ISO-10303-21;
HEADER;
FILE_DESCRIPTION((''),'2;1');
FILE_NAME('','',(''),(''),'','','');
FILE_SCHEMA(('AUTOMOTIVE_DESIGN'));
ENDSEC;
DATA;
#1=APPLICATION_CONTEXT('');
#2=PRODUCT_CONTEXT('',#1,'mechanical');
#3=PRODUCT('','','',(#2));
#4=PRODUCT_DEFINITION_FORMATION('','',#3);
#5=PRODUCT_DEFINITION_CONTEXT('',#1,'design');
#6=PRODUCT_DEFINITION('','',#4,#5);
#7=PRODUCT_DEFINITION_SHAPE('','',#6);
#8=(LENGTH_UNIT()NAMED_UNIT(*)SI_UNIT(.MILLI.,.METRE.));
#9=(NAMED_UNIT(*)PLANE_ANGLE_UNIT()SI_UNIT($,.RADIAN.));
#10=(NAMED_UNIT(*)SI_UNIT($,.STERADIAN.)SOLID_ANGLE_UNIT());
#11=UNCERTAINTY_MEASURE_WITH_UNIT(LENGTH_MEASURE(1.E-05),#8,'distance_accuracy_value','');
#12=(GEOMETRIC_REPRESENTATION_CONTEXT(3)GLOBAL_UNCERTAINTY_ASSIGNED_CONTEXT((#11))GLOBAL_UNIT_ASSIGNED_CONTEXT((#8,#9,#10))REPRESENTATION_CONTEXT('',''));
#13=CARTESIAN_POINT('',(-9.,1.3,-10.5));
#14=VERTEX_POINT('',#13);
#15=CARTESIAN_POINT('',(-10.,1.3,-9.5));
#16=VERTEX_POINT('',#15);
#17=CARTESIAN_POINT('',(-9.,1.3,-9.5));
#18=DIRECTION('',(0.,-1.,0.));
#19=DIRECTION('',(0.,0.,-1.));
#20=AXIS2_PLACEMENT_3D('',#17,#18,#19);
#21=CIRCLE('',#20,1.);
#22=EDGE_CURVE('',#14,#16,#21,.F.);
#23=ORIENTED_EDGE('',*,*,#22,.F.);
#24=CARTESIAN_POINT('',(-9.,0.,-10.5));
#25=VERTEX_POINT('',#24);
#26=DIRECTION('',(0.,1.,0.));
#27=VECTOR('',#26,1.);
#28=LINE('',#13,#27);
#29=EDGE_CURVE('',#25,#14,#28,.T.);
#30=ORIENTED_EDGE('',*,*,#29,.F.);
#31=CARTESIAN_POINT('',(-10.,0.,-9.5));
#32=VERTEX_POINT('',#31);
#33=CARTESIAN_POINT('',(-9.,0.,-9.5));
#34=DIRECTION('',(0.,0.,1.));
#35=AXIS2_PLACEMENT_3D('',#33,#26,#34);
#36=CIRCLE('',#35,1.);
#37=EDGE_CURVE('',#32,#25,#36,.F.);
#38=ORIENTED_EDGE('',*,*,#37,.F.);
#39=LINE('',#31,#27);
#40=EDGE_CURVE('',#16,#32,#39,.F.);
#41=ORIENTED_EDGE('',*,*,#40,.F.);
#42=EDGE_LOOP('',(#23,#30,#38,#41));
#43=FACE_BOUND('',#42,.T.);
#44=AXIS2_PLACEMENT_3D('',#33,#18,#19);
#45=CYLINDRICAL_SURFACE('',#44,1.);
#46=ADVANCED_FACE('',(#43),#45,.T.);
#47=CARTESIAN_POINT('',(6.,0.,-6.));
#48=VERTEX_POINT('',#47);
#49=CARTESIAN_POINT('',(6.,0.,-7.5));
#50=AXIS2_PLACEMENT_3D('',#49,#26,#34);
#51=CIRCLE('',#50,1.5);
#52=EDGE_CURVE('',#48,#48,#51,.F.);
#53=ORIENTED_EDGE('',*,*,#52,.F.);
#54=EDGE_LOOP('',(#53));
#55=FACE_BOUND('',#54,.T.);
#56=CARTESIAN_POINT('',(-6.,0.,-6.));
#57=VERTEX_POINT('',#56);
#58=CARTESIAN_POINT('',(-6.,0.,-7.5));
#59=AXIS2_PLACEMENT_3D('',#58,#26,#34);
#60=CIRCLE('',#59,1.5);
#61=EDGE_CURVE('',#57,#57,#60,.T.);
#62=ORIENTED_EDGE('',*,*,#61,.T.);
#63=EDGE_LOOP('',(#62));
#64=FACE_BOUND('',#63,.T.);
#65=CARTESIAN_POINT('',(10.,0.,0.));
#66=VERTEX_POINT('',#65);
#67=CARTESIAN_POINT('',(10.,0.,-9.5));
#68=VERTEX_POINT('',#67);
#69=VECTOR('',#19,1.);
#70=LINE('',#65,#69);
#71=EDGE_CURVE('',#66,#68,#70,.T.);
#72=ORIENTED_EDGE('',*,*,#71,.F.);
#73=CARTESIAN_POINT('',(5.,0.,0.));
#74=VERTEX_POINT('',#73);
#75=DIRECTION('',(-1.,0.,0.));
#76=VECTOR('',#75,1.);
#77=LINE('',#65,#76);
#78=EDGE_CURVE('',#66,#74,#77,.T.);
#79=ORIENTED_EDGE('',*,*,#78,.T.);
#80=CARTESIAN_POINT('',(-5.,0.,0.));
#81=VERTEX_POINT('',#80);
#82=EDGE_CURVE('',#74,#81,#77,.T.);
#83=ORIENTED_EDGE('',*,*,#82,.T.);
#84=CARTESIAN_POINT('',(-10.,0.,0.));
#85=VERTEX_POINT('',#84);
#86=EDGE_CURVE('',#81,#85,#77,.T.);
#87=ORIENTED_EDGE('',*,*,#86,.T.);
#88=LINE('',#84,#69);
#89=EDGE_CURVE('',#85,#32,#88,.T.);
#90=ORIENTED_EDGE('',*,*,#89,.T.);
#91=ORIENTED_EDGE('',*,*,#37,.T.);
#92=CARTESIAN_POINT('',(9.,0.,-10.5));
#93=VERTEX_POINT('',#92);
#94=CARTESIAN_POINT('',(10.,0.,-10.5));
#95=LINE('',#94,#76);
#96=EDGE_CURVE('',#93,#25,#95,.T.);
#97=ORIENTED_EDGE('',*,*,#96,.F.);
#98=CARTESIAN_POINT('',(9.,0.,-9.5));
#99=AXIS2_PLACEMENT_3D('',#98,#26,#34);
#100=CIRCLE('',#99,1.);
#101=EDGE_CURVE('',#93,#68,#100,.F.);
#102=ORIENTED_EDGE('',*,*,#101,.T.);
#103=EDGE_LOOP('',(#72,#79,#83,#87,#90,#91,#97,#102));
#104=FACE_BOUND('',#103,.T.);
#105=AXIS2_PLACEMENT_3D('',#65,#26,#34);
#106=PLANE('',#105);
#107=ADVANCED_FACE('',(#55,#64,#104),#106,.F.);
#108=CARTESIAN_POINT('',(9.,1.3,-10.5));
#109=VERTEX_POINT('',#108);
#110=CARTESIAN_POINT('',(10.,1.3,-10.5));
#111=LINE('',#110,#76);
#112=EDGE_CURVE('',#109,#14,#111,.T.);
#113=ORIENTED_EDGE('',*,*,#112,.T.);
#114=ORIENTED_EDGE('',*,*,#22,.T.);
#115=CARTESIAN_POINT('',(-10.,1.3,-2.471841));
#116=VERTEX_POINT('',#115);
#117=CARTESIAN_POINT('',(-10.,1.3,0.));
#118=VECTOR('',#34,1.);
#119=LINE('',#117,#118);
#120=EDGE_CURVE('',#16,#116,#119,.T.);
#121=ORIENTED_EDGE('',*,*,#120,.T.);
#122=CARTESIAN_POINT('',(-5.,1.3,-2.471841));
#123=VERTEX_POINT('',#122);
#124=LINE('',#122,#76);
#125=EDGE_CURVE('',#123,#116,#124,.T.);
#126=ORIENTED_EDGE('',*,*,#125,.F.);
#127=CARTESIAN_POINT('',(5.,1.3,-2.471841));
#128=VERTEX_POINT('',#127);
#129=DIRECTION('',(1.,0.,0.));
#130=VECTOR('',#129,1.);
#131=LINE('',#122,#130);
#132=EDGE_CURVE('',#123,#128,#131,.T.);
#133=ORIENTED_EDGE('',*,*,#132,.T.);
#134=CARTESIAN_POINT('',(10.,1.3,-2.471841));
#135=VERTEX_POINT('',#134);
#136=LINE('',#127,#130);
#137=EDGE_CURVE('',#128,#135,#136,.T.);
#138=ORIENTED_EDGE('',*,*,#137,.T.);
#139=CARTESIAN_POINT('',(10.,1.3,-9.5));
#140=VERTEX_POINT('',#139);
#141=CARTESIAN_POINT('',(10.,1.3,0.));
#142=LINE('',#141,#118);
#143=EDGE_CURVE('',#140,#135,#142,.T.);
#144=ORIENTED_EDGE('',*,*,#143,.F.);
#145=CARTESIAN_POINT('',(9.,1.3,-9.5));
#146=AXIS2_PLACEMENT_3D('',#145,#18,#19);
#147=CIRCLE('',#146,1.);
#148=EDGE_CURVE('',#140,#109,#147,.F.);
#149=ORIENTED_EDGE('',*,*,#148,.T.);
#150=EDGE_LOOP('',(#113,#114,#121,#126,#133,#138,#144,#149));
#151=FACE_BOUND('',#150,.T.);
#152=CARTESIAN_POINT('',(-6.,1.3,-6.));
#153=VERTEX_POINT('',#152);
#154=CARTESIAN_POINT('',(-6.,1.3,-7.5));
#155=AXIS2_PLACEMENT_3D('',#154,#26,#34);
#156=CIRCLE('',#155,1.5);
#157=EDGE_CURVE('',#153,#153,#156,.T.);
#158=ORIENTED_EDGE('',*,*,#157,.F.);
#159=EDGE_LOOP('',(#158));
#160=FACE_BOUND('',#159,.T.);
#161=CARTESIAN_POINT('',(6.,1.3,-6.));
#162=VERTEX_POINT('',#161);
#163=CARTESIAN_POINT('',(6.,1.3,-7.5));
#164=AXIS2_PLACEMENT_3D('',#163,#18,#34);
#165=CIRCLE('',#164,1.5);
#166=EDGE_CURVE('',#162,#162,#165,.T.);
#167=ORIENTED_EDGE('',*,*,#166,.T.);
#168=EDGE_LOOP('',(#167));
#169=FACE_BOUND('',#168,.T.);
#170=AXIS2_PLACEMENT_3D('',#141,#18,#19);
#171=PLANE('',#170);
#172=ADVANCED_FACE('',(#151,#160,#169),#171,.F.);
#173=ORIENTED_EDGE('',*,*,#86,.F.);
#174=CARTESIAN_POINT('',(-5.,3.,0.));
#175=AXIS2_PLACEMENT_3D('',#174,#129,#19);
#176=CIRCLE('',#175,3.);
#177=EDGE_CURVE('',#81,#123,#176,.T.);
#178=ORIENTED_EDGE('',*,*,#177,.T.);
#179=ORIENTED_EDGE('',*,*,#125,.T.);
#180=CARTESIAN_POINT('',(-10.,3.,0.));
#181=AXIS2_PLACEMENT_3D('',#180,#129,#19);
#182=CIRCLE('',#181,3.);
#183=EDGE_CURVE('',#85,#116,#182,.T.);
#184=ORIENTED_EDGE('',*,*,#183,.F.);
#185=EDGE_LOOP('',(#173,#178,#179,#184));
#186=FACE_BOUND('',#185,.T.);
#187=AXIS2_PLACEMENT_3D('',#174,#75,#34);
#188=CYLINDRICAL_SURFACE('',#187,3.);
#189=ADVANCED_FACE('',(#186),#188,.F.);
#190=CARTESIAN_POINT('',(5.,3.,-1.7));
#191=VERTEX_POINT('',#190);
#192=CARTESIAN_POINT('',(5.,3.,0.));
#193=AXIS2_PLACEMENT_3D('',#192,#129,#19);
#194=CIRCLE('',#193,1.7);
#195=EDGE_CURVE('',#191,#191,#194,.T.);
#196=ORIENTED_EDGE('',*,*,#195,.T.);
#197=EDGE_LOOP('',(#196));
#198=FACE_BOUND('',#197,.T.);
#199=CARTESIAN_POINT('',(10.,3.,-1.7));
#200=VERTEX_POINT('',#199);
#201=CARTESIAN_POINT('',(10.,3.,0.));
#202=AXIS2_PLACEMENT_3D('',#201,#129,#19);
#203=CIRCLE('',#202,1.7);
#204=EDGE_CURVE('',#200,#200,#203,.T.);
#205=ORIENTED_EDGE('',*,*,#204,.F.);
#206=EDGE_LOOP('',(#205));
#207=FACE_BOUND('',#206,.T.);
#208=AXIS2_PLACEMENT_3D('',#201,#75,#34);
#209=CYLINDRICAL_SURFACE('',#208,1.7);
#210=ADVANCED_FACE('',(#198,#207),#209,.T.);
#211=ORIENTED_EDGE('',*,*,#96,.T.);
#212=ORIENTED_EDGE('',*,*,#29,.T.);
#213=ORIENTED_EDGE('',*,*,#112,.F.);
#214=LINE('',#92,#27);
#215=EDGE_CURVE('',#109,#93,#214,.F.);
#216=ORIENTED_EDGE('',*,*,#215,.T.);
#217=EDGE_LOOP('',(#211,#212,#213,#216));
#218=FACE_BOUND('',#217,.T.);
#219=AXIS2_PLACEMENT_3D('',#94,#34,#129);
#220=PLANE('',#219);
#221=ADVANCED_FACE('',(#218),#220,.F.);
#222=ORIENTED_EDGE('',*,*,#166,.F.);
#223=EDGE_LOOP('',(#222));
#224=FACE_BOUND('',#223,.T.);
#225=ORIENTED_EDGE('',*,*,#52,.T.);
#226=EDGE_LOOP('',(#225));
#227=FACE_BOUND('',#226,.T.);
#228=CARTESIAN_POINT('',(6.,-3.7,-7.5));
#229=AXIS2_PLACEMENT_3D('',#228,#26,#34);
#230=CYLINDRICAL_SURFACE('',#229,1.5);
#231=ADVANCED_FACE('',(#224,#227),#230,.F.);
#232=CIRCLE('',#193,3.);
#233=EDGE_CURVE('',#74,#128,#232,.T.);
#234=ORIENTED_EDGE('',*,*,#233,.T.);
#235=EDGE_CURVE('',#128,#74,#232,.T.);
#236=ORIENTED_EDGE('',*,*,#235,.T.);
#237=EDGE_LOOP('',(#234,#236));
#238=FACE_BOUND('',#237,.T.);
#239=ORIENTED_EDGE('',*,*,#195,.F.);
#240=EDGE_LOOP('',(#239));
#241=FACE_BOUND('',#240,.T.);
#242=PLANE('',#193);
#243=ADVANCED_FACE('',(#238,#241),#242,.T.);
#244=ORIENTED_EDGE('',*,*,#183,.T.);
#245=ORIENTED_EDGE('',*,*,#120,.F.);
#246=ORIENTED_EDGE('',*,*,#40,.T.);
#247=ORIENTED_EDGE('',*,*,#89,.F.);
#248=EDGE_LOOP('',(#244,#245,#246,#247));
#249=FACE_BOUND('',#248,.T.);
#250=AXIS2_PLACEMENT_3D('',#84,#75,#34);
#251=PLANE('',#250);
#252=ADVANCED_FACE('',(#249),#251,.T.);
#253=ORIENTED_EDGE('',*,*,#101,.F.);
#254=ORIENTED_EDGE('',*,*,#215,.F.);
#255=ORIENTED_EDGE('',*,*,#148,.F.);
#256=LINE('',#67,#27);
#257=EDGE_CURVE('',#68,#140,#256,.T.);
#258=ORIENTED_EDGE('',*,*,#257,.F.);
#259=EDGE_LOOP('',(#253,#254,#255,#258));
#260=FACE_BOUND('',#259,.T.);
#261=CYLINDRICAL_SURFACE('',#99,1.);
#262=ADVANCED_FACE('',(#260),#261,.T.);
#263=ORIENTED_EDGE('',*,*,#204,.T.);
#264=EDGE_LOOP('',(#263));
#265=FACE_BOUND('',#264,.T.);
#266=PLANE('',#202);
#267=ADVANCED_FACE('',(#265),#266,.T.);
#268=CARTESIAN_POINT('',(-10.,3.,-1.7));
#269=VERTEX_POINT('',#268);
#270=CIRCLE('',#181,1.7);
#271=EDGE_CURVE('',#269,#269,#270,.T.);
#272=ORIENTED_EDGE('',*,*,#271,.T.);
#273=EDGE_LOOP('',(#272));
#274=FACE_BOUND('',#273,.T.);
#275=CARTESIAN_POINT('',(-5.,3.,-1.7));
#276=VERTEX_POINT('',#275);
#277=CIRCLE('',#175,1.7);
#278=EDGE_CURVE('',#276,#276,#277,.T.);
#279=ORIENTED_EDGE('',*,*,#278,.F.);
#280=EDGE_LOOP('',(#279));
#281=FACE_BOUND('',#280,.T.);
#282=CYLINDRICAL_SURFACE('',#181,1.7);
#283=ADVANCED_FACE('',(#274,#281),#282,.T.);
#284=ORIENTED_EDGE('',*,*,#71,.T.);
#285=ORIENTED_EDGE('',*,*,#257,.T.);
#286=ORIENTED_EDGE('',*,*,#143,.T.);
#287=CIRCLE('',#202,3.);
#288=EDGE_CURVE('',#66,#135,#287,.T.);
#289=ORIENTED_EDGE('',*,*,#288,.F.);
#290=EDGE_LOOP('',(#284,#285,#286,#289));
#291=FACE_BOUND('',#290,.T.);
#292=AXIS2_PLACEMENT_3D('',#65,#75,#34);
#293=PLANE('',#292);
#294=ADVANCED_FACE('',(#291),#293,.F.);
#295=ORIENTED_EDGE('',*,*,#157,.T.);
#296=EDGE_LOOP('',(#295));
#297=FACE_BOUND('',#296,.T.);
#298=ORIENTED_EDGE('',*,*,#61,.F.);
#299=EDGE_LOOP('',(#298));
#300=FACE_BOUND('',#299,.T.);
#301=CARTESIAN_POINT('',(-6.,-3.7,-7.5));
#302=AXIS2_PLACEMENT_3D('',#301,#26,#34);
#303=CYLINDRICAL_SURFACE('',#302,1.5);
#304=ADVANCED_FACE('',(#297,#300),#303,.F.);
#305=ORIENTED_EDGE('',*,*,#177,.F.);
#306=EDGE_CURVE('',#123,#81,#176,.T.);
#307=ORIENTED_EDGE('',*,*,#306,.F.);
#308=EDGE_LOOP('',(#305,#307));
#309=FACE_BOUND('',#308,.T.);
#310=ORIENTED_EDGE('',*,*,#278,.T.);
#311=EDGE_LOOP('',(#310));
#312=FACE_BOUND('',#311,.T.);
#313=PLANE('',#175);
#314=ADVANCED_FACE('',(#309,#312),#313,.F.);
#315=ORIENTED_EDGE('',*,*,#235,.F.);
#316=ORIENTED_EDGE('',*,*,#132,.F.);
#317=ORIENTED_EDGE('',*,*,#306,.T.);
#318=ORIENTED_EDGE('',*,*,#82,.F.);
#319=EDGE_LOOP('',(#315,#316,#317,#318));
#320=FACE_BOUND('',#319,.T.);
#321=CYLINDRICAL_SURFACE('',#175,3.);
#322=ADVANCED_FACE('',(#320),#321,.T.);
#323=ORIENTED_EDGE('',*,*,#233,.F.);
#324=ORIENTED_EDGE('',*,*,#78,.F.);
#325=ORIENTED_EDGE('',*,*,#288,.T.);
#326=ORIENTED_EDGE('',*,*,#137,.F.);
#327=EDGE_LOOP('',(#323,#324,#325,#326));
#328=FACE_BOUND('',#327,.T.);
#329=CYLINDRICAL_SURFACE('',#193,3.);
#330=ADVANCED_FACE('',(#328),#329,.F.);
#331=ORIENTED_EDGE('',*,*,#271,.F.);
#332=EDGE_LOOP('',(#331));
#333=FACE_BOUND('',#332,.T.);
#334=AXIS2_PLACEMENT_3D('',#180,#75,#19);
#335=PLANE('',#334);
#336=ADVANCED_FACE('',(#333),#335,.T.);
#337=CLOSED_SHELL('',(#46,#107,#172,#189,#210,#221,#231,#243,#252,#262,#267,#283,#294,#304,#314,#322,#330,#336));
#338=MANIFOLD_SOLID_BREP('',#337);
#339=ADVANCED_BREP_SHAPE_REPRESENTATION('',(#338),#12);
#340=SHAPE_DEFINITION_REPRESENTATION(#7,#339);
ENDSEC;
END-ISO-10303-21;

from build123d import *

# Parameters (mm, degrees)
SKETCH_1_W          = 10.5
SKETCH_1_H          = 1.3
EXTRUDE_1_DEPTH     = 10
SKETCH_2_R          = 3
CUT_EXTRUDE_1_DEPTH = 5
SKETCH_3_R          = 3
EXTRUDE_2_DEPTH     = 10
SKETCH_4_R          = 1.7
EXTRUDE_3_DEPTH     = 5
SKETCH_5_R          = 1.5
CUT_EXTRUDE_2_DEPTH = 5
FILLET_1_R          = 1


with BuildPart() as part:
    # 草图1 → 凸台-拉伸1 (new body, symmetric)
    with BuildSketch(Plane(origin=(0, 0, 0), x_dir=(0, 0, -1), z_dir=(1, 0, 0))):
        with Locations((5.25, 0.65)):
            Rectangle(SKETCH_1_W, SKETCH_1_H)
    extrude(amount=EXTRUDE_1_DEPTH, both=True)

    # 草图2 → 切除-拉伸1 (cut)
    with BuildSketch(Plane(origin=(10, 0, 0), x_dir=(0, 0, -1), z_dir=(1, 0, 0))):
        with Locations((0, 3)):
            Circle(SKETCH_2_R)
    cut_extrude_1 = extrude(amount=-CUT_EXTRUDE_1_DEPTH, mode=Mode.SUBTRACT)

    # 草图3 → 凸台-拉伸2 (add)
    with BuildSketch(Plane(origin=(5, 0, 0), x_dir=(0, 0, -1), z_dir=(1, 0, 0))):
        with Locations((0, 3)):
            Circle(SKETCH_3_R)
    extrude(amount=-EXTRUDE_2_DEPTH)

    # 草图4 → 凸台-拉伸3 (add)
    with BuildSketch(Plane(origin=(5, 0, 0), x_dir=(0, 0, -1), z_dir=(1, 0, 0))):
        with Locations((0, 3)):
            Circle(SKETCH_4_R)
    extrude_3 = extrude(amount=EXTRUDE_3_DEPTH)

    # 镜向1: 切除-拉伸1, 凸台-拉伸3 across plane
    add(cut_extrude_1.mirror(Plane(origin=(0, 0, 0), x_dir=(0, 0, 1), z_dir=(1, 0, 0))), mode=Mode.SUBTRACT)
    add(extrude_3.mirror(Plane(origin=(0, 0, 0), x_dir=(0, 0, 1), z_dir=(1, 0, 0))))

    # 草图5 → 切除-拉伸2 (cut)
    with BuildSketch(Plane(origin=(0, 1.3, 0), x_dir=(1, 0, 0), z_dir=(0, 1, 0))):
        with Locations((-6, 7.5)):
            Circle(SKETCH_5_R)
    cut_extrude_2 = extrude(amount=-CUT_EXTRUDE_2_DEPTH, mode=Mode.SUBTRACT)

    # 镜向2: 切除-拉伸2 across plane
    add(cut_extrude_2.mirror(Plane(origin=(0, 0, 0), x_dir=(0, 0, 1), z_dir=(1, 0, 0))), mode=Mode.SUBTRACT)

    # 圆角1
    fillet_1_edges = [part.edges().sort_by_distance(p)[0] for p in [
        (10, 0.65, -10.5),
        (-10, 0.65, -10.5),
    ]]
    fillet(fillet_1_edges, radius=FILLET_1_R)


solid = part.part
